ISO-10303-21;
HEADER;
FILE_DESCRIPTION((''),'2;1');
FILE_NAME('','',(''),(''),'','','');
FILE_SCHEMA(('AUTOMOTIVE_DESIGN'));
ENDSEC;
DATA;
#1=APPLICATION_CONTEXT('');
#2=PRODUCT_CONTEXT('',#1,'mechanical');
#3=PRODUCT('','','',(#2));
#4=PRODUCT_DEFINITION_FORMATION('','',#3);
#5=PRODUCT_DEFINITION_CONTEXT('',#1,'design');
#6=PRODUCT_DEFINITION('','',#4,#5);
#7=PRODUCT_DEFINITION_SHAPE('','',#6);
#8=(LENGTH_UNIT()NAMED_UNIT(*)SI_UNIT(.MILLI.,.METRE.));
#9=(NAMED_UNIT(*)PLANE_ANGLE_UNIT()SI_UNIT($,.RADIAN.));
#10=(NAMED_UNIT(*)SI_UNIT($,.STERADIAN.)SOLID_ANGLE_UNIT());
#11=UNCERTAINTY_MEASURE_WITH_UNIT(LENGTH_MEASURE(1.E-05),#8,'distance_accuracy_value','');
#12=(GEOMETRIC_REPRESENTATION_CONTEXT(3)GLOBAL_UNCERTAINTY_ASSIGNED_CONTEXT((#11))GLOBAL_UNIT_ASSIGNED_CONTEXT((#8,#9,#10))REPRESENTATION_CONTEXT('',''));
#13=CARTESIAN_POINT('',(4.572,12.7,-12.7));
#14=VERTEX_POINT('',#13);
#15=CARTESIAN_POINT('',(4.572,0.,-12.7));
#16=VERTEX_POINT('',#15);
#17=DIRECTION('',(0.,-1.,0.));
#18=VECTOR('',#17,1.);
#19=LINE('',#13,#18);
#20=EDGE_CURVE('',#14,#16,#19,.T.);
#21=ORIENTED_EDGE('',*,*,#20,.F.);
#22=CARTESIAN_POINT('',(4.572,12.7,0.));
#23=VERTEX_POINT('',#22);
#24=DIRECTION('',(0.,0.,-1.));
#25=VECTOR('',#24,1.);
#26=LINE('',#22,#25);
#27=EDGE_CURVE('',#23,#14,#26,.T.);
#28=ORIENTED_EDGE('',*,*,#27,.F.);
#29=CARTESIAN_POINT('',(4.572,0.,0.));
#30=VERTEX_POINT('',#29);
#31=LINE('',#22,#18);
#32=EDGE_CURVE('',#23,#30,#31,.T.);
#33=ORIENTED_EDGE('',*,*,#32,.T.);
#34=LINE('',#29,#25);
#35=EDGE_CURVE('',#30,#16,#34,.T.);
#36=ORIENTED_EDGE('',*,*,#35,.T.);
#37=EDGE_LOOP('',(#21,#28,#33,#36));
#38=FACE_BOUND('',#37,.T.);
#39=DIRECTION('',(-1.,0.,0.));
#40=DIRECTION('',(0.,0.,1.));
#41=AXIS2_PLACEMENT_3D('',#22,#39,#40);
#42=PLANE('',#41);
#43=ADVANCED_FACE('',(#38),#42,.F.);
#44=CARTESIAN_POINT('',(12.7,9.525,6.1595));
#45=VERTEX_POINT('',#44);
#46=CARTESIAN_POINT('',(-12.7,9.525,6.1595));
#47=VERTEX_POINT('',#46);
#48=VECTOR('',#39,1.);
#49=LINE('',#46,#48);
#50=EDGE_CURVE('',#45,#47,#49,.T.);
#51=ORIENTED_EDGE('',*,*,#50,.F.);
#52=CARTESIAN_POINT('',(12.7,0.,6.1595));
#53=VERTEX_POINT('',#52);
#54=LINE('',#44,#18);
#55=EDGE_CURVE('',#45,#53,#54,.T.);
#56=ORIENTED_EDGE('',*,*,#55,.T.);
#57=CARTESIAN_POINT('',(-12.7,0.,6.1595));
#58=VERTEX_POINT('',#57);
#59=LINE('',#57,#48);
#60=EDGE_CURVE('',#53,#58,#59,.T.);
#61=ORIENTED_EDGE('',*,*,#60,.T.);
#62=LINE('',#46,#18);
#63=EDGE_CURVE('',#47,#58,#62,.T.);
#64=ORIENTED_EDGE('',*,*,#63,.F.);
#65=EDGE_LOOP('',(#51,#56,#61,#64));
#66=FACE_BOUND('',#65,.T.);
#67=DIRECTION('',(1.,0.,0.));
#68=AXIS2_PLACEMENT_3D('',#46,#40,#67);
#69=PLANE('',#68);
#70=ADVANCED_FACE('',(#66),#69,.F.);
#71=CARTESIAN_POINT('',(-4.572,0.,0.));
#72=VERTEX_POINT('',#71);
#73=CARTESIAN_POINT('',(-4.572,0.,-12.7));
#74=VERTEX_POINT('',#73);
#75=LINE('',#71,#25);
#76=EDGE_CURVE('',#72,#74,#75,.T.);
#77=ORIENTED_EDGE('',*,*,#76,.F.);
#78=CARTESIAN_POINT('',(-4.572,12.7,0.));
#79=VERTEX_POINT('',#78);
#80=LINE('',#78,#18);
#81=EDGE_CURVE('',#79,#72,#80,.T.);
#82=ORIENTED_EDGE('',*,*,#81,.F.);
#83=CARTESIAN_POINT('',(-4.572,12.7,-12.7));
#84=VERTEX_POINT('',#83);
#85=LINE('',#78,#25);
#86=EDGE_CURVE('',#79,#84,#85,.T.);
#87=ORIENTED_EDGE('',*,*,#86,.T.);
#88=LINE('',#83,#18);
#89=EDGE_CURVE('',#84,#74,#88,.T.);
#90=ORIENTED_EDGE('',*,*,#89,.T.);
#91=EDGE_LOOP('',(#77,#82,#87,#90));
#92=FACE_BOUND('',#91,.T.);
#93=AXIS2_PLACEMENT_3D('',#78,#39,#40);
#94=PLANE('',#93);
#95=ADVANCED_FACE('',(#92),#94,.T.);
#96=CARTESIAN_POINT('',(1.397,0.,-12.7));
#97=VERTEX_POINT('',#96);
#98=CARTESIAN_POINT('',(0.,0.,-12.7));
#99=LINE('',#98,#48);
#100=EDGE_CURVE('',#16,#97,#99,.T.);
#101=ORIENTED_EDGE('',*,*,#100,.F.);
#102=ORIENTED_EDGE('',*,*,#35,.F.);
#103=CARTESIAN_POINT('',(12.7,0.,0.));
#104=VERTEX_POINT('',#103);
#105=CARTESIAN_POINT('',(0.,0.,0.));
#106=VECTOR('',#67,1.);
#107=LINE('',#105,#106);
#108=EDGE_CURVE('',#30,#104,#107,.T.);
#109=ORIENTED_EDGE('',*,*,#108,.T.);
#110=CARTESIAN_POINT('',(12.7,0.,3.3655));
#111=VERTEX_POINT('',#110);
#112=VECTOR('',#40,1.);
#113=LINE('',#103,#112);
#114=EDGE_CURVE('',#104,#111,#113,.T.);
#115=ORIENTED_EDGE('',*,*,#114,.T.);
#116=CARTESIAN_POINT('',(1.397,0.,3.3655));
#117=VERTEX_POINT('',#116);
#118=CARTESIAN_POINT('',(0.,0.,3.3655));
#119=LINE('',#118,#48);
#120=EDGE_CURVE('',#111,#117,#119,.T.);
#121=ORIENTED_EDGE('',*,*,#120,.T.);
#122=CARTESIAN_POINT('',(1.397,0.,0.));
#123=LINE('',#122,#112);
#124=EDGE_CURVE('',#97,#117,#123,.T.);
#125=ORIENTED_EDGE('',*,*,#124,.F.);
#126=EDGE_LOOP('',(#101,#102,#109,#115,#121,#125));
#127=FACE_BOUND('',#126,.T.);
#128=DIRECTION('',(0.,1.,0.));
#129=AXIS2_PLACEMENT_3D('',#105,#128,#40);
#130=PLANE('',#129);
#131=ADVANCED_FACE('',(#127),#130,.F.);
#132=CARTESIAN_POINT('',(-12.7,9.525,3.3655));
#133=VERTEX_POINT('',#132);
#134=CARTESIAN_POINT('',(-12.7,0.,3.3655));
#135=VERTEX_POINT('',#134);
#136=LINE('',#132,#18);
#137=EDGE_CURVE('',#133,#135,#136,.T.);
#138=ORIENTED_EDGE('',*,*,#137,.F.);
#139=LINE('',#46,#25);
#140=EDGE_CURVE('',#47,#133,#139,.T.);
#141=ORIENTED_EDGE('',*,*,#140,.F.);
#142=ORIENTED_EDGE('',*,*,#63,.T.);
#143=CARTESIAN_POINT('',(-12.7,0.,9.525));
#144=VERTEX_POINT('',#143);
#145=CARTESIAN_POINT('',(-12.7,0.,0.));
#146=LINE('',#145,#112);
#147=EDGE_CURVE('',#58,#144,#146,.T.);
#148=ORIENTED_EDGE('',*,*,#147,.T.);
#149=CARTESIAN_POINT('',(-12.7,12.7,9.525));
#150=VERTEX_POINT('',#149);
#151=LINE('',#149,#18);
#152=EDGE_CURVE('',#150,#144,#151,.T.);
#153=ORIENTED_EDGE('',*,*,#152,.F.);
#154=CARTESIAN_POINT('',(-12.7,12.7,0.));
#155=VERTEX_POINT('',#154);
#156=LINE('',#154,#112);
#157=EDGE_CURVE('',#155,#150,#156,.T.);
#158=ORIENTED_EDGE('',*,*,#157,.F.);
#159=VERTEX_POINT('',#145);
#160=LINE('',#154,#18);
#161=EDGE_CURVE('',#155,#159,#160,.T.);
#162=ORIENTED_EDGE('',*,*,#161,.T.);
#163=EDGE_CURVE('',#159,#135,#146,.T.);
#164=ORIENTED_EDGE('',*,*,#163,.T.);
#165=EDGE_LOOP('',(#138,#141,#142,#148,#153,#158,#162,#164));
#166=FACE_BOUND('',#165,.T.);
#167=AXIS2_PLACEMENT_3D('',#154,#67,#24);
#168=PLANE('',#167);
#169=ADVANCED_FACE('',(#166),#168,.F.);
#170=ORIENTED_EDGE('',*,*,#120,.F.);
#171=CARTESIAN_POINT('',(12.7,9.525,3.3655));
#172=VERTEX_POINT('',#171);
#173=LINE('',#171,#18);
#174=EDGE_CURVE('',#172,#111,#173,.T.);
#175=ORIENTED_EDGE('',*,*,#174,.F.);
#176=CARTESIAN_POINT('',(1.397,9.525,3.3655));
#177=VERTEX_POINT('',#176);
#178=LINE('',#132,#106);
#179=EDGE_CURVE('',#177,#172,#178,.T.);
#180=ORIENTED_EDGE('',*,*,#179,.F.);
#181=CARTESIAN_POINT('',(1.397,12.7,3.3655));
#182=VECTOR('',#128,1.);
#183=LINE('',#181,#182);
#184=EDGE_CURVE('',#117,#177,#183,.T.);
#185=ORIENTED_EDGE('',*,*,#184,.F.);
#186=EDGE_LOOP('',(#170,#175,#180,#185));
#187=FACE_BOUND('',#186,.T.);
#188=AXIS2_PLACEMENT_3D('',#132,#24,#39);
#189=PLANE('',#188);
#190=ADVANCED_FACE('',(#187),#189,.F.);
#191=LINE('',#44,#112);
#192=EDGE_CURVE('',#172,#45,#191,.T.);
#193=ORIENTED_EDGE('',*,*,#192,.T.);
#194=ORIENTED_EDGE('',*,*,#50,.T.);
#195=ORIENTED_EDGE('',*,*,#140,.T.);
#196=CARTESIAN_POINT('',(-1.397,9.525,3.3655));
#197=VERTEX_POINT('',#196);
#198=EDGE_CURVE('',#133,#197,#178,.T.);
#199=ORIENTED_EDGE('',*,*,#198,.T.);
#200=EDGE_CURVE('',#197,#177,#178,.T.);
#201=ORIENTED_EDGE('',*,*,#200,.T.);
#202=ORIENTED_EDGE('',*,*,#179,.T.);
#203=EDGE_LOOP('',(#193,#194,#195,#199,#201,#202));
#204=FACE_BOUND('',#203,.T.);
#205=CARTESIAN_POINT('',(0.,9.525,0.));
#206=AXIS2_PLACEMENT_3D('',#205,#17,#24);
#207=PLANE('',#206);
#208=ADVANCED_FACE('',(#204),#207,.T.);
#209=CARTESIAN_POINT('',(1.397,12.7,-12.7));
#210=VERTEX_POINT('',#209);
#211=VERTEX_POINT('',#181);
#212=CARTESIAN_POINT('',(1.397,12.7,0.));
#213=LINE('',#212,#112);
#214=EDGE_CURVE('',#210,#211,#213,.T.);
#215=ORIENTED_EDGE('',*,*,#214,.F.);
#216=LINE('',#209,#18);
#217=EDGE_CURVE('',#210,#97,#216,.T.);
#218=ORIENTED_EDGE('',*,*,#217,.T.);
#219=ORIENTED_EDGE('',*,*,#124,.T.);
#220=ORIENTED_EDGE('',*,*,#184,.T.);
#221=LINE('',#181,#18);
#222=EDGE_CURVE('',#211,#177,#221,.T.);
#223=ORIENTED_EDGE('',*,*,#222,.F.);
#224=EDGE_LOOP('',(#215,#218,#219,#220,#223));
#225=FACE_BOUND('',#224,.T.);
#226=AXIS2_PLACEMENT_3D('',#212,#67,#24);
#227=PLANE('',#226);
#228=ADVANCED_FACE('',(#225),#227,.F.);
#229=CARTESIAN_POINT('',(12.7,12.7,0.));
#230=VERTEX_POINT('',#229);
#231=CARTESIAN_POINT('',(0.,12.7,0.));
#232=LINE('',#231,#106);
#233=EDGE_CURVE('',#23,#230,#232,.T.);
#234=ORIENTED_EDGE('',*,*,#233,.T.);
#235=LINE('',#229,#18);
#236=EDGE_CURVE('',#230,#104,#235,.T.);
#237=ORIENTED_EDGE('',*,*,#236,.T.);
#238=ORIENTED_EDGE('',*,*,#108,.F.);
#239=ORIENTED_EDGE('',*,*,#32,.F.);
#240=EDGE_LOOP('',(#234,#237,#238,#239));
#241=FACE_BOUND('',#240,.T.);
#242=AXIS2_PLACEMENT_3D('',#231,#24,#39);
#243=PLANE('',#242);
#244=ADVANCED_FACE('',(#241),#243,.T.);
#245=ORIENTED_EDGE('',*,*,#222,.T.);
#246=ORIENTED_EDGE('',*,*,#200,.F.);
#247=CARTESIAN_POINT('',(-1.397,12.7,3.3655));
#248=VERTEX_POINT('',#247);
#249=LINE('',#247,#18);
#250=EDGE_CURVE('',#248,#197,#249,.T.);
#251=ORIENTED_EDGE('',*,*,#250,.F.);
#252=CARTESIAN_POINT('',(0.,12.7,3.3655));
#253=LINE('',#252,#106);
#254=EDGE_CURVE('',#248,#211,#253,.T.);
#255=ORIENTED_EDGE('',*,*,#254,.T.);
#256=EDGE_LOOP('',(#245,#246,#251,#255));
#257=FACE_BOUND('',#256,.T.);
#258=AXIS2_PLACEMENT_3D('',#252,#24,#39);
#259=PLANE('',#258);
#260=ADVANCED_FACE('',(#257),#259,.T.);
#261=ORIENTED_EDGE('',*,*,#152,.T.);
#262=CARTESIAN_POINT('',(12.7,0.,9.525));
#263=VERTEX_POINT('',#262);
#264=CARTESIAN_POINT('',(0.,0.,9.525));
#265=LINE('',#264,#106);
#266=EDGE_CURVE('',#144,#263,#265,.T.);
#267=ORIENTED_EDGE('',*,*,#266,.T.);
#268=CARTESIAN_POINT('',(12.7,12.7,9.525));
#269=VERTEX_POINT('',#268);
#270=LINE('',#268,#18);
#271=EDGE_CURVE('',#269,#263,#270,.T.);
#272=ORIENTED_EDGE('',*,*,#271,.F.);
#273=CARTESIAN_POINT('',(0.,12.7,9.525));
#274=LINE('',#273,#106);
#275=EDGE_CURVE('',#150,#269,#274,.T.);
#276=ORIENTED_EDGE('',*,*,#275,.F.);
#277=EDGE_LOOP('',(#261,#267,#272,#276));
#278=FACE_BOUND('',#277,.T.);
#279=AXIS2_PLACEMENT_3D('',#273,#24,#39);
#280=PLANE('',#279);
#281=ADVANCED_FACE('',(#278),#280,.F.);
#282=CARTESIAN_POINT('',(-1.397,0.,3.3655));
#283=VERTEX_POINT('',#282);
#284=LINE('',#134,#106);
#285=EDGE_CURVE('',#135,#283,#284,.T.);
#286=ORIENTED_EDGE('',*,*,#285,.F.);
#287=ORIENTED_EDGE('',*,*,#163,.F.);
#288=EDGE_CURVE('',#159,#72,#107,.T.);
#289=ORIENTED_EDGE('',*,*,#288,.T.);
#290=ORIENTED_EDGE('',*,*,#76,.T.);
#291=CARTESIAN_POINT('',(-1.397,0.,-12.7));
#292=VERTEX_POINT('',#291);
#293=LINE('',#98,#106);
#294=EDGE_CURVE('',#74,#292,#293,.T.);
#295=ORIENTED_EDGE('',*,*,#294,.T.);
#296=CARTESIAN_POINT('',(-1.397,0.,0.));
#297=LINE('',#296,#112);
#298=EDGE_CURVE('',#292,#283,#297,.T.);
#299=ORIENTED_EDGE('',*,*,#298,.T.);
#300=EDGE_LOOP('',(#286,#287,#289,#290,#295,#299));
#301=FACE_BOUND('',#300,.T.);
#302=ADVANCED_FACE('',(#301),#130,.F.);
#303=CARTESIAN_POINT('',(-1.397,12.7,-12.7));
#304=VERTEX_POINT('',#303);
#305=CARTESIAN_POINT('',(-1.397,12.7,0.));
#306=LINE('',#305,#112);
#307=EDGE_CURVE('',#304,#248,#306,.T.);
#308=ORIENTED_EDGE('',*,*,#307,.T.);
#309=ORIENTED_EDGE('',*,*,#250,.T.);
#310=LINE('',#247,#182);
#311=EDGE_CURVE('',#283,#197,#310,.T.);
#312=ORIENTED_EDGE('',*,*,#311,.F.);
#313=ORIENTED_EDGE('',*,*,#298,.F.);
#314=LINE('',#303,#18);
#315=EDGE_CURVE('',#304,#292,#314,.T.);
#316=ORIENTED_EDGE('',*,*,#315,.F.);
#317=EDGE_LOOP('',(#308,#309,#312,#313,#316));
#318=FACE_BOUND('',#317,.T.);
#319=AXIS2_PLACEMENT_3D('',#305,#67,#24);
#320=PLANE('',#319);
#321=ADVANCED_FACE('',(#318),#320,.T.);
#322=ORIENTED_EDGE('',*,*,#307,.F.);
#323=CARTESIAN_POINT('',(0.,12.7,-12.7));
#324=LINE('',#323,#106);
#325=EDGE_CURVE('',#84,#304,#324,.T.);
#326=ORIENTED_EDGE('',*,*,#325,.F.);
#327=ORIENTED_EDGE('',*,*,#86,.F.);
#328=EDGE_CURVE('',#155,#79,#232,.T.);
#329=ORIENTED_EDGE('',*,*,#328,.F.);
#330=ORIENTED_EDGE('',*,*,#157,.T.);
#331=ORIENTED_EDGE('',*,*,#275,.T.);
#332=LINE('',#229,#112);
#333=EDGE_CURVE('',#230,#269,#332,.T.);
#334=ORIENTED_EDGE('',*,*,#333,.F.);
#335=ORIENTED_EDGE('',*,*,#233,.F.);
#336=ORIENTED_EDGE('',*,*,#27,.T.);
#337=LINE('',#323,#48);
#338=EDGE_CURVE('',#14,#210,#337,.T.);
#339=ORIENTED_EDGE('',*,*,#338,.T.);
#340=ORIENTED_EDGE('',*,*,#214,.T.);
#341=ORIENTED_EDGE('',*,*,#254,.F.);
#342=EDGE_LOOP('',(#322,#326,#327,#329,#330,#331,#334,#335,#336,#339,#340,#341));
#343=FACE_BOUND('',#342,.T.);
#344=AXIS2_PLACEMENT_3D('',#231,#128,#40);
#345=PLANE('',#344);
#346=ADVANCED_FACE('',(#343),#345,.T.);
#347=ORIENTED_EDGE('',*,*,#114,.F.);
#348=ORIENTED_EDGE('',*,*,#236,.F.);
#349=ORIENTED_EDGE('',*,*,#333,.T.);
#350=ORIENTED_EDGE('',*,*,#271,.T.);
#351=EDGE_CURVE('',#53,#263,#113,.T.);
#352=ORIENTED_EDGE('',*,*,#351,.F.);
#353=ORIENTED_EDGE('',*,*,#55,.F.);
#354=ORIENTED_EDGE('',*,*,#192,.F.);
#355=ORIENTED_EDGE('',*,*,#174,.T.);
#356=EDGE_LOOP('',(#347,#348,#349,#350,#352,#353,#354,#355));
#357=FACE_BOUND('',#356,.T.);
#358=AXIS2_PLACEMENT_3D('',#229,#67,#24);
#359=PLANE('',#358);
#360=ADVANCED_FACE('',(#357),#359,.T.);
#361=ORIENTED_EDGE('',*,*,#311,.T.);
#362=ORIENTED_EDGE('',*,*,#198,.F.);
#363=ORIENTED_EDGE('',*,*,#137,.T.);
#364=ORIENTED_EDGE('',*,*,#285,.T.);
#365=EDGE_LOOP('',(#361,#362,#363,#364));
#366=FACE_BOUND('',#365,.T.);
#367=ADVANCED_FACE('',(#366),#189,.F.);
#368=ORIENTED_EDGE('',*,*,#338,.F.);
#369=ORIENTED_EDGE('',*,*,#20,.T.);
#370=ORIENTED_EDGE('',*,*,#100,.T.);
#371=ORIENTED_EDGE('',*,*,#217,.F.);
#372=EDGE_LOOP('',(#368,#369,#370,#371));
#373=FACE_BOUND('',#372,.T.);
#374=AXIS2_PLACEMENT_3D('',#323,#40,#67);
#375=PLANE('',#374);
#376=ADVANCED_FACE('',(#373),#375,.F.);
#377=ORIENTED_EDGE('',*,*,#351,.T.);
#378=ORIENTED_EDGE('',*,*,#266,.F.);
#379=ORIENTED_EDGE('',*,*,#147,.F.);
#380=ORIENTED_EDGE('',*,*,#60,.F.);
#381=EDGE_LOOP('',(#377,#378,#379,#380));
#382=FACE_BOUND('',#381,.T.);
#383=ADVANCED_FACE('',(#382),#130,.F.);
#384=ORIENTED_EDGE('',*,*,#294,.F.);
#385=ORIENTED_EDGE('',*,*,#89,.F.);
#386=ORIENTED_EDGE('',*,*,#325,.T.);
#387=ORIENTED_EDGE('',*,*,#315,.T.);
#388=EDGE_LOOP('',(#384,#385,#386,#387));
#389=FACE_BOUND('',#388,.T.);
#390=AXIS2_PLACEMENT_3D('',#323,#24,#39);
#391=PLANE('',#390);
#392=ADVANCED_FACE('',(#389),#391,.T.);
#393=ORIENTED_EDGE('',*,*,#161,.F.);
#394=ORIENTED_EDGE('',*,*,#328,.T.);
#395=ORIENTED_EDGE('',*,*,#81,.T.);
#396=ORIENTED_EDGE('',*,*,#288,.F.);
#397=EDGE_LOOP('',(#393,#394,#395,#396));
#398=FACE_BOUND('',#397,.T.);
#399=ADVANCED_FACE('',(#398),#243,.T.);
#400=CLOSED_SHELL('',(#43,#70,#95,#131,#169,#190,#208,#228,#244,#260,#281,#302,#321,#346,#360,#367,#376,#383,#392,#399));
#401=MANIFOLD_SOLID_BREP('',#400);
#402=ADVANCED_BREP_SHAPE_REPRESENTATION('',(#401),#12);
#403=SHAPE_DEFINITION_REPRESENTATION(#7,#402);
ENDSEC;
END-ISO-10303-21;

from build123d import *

# Parameters (mm, degrees)
BOSS_EXTRUDE1_DEPTH = 12.7
SKETCH3_W           = 25.4
SKETCH3_H           = 2.794
CUT_EXTRUDE1_DEPTH  = 9.525


with BuildPart() as part:
    # Sketch2 → Boss-Extrude1 (new body)
    with BuildSketch(Plane(origin=(0, 0, 0), x_dir=(1, 0, 0), z_dir=(0, 1, 0))):
        Polygon((-4.572, 0), (-12.7, 0), (-12.7, -9.525), (12.7, -9.525), (12.7, 0), (4.572, 0), (4.572, 12.7), (1.397, 12.7), (1.397, -3.3655), (-1.397, -3.3655), (-1.397, 12.7), (-4.572, 12.7), align=None)
    extrude(amount=BOSS_EXTRUDE1_DEPTH)

    # Sketch3 → Cut-Extrude1 (cut)
    with BuildSketch(Plane.XZ):
        with Locations((0, 4.7625)):
            Rectangle(SKETCH3_W, SKETCH3_H)
    extrude(amount=-CUT_EXTRUDE1_DEPTH, mode=Mode.SUBTRACT)


solid = part.part
